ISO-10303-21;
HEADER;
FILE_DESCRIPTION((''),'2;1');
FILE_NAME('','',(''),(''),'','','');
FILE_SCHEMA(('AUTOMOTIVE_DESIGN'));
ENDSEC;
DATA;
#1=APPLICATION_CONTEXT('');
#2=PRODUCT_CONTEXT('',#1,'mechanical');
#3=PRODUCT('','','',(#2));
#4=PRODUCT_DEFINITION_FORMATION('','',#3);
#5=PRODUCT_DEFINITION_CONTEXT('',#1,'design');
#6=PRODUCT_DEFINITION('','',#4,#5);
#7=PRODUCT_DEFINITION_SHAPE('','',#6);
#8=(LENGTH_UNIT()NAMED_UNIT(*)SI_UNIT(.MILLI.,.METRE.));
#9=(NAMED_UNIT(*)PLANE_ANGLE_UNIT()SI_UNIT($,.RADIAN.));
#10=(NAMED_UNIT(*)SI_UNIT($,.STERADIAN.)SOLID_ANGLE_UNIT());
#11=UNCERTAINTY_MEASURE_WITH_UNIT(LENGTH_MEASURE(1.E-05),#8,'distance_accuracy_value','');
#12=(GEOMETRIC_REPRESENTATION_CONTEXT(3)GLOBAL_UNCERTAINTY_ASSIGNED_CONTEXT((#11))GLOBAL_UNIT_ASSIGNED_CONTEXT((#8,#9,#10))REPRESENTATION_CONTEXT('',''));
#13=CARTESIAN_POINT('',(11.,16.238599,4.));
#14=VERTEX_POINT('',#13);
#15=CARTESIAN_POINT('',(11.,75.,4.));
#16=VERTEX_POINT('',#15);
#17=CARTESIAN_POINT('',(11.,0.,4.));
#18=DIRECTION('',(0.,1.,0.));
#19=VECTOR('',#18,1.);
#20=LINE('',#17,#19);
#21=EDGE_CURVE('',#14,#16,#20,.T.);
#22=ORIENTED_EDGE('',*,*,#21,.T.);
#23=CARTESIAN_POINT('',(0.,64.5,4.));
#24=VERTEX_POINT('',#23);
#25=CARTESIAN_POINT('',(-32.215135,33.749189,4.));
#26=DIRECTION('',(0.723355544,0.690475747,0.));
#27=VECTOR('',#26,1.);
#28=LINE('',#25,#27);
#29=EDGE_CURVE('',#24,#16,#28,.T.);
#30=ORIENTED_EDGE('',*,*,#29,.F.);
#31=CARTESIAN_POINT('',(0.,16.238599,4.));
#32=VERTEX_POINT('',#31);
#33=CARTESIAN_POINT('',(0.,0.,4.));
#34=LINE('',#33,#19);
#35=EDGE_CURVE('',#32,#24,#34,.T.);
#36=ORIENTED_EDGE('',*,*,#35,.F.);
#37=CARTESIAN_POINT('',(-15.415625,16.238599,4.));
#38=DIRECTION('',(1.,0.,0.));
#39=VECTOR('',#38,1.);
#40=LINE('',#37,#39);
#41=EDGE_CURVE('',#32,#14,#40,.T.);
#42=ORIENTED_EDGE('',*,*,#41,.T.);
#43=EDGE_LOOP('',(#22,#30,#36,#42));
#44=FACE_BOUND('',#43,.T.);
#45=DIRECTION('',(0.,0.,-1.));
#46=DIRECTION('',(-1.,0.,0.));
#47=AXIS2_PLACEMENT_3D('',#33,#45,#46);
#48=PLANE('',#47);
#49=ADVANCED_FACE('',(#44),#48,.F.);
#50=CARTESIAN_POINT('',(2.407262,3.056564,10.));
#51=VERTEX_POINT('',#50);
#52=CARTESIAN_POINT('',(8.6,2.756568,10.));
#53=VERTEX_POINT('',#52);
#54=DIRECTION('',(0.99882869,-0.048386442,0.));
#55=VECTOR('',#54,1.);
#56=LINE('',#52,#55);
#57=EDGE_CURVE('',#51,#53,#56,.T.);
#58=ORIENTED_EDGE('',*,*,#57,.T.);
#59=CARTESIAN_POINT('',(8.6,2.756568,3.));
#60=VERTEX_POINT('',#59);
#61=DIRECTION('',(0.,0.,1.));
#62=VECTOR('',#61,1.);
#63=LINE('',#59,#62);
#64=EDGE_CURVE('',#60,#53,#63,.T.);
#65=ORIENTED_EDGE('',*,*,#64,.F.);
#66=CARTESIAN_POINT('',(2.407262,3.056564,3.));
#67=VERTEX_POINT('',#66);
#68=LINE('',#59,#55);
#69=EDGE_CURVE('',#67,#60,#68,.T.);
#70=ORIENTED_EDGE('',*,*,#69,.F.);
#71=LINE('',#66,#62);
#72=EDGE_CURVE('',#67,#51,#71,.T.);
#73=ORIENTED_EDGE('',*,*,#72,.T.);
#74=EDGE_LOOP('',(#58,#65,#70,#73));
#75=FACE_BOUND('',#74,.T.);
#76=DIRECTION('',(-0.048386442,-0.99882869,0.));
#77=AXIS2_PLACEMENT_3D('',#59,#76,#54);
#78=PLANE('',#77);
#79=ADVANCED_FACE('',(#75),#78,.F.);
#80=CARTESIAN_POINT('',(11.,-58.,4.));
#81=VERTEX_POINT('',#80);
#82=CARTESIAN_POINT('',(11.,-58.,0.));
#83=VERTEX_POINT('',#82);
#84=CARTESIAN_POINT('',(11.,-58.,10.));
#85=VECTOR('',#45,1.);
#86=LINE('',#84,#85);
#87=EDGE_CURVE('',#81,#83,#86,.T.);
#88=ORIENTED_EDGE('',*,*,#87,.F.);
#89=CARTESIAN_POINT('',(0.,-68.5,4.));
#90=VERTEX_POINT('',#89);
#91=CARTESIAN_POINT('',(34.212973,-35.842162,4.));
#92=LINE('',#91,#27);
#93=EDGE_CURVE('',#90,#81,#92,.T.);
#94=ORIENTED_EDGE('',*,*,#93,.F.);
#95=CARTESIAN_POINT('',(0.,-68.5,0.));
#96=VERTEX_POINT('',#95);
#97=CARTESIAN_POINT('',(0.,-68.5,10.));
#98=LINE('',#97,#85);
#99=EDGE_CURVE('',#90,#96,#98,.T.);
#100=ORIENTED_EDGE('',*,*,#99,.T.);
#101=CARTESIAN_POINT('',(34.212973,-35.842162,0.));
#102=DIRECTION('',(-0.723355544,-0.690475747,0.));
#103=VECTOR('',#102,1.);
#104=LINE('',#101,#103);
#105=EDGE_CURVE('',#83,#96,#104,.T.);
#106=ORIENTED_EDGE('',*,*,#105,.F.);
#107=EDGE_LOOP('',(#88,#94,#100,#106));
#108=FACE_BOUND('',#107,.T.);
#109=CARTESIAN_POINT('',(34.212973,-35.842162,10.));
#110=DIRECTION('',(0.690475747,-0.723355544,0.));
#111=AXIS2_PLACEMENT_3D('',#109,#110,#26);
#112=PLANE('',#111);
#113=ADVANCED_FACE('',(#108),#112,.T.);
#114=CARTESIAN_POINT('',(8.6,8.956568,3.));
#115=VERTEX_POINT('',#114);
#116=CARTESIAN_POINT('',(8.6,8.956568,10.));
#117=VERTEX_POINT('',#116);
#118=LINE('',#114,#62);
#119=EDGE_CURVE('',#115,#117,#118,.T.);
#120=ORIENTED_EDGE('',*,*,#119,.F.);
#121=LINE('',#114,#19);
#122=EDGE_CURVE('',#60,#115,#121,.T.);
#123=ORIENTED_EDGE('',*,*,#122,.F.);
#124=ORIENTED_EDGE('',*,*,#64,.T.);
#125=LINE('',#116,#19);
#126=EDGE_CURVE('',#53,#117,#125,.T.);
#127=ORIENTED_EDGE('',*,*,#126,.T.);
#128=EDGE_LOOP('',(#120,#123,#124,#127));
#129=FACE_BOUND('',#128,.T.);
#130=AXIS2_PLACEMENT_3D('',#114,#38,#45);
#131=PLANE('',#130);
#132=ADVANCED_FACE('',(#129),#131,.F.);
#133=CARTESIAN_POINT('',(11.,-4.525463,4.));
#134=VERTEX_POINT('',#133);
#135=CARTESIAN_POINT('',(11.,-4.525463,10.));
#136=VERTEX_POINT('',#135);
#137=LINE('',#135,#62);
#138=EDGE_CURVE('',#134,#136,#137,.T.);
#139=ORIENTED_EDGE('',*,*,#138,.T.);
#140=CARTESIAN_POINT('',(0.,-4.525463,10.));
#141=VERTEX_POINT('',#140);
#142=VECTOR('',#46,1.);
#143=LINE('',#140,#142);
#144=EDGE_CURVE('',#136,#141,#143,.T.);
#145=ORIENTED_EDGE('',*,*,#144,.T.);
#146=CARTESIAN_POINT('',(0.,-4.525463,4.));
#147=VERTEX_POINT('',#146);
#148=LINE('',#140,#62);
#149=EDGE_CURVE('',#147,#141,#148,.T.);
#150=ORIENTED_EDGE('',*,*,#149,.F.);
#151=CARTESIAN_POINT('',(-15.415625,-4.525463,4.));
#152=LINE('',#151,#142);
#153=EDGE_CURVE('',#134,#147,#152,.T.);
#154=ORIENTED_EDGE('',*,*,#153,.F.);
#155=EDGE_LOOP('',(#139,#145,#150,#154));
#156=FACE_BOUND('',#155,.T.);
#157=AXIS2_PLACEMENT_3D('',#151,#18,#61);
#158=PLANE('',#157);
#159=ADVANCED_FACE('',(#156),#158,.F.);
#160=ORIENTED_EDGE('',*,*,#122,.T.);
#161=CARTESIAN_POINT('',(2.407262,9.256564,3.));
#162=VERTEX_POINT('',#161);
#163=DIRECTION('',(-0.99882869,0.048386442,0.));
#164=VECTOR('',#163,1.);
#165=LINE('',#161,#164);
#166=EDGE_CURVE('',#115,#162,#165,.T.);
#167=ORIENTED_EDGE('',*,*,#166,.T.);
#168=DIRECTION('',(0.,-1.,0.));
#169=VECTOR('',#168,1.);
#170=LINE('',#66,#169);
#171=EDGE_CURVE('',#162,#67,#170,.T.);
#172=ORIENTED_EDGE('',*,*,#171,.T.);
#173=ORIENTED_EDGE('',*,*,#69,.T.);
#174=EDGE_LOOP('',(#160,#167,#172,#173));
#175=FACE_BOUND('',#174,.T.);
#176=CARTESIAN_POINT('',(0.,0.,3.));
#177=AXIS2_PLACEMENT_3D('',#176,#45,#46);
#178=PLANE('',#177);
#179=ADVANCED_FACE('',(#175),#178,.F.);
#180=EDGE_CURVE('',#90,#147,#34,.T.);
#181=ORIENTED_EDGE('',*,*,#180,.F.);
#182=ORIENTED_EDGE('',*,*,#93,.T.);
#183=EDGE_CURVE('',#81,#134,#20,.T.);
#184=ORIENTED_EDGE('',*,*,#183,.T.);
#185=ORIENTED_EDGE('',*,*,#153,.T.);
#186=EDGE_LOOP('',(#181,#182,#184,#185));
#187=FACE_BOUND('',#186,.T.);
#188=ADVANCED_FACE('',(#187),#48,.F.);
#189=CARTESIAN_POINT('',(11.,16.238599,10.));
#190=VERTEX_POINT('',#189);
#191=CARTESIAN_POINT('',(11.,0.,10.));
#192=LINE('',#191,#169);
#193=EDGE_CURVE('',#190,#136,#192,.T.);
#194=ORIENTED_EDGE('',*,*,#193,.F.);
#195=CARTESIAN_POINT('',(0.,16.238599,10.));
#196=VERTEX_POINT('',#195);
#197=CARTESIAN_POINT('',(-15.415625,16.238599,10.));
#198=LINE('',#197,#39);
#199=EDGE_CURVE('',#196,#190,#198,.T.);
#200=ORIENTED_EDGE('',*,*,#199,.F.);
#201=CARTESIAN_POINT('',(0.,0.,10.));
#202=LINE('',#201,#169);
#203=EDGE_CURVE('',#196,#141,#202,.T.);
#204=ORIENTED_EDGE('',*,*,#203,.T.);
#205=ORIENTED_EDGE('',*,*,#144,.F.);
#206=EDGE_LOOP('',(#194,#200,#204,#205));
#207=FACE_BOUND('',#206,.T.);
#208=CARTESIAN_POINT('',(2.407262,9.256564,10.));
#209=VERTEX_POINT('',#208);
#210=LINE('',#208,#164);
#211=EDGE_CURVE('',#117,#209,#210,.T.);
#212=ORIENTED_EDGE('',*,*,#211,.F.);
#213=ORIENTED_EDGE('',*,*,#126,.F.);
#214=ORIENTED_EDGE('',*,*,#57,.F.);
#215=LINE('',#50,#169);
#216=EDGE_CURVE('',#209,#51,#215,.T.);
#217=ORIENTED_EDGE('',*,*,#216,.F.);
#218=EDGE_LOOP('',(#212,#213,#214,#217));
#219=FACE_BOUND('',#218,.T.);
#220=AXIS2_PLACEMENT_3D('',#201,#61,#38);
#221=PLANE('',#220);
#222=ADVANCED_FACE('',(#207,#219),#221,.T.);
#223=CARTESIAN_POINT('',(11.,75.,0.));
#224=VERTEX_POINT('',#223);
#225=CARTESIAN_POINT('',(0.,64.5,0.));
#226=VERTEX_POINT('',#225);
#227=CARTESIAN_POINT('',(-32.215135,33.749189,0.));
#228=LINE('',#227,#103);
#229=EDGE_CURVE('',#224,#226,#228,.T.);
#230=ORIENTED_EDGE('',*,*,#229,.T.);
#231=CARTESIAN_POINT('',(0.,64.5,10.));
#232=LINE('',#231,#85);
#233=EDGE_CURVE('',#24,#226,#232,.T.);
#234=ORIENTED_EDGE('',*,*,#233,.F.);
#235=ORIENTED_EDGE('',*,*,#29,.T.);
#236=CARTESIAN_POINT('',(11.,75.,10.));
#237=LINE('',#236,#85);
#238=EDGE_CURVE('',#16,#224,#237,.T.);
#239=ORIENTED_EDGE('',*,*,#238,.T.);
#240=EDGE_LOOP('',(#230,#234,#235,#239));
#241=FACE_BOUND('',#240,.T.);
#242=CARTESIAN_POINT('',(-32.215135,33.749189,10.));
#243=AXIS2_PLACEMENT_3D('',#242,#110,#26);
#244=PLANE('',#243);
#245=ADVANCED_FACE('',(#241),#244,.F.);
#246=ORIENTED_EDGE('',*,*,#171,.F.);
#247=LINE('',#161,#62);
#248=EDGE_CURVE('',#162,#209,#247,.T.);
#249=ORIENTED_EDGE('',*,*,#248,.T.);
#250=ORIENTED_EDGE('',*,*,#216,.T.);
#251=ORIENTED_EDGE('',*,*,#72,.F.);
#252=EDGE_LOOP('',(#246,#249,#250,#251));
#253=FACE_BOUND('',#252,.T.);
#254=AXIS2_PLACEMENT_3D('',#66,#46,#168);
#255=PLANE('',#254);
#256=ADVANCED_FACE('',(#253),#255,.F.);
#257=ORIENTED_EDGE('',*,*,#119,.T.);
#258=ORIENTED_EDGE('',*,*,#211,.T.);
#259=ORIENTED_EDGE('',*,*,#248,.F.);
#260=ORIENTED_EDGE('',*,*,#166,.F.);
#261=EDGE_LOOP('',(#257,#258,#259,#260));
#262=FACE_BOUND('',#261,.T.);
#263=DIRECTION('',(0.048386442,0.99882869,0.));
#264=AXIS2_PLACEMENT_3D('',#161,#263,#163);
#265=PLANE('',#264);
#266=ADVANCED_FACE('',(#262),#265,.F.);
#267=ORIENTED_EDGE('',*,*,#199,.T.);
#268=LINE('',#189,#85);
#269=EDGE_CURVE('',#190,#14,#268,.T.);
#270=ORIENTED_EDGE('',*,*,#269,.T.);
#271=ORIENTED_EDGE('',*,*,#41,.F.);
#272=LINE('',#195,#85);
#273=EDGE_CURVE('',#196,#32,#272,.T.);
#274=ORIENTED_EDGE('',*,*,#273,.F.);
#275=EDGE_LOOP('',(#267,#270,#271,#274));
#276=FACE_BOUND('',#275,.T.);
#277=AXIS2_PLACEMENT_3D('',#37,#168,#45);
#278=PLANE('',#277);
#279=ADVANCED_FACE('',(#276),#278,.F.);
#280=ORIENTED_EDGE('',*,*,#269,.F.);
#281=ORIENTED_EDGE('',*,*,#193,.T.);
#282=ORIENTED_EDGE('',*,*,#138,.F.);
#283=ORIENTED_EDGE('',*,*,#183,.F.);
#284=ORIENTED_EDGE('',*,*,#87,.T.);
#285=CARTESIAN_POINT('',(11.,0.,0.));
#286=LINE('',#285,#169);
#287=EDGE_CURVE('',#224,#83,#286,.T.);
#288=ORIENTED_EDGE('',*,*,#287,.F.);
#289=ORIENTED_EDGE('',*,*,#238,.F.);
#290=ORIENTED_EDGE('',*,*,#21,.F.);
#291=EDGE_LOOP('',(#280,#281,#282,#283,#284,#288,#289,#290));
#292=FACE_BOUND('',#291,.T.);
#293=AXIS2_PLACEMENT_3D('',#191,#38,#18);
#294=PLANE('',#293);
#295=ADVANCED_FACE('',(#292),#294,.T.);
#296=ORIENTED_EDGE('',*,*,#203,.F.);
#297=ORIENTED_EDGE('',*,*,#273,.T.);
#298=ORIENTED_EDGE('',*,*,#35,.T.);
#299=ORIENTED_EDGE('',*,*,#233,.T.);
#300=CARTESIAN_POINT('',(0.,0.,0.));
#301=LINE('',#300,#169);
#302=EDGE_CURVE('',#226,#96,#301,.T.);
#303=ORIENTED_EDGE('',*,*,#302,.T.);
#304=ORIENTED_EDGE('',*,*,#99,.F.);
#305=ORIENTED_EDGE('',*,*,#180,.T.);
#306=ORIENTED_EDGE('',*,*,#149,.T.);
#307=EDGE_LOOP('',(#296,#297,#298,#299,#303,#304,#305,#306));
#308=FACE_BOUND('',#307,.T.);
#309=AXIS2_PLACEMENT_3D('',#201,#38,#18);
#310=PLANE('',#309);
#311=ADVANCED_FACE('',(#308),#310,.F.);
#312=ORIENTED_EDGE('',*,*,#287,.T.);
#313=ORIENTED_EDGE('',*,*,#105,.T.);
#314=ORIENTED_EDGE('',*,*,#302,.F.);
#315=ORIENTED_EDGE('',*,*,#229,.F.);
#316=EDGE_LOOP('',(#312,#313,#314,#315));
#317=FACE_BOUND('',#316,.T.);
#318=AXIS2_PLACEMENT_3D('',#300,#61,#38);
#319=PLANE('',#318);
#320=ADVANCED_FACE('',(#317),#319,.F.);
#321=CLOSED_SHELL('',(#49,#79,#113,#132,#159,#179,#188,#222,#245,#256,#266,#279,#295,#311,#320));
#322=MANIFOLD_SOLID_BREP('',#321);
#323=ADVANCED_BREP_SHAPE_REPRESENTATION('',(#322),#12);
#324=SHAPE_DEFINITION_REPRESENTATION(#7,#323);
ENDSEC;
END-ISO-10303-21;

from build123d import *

# Parameters (mm, degrees)
BOSS_EXTRU_2_DEPTH       = 10
ENL_V_MAT_EXTRU_25_DEPTH = 7
ESQUISSE5_W              = 37.59862274
ESQUISSE5_H              = 68.527189437
ENL_V_MAT_EXTRU_26_DEPTH = 6


with BuildPart() as part:
    # Esquisse2 → Boss.-Extru.2 (new body)
    with BuildSketch(Plane.XY):
        Polygon((0, 64.5), (0, -68.5), (11, -58), (11, 75), align=None)
    extrude(amount=BOSS_EXTRU_2_DEPTH)

    # Esquisse4 → Enlèv. mat.-Extru.25 (cut)
    with BuildSketch(Plane.XY.offset(10)):
        Polygon((2.407262121, 3.056563683), (2.407262121, 9.256563683), (8.6, 8.956567739), (8.6, 2.756567739), align=None)
    extrude(amount=-ENL_V_MAT_EXTRU_25_DEPTH, mode=Mode.SUBTRACT)

    # Esquisse5 → Enlèv. mat.-Extru.26 (cut)
    with BuildSketch(Plane.XY.offset(10)):
        with Locations((3.383685942, 50.502193636)):
            Rectangle(ESQUISSE5_W, ESQUISSE5_H)
        with Locations((3.383685942, -38.789058157)):
            Rectangle(ESQUISSE5_W, ESQUISSE5_H)
    extrude(amount=-ENL_V_MAT_EXTRU_26_DEPTH, mode=Mode.SUBTRACT)


solid = part.part
